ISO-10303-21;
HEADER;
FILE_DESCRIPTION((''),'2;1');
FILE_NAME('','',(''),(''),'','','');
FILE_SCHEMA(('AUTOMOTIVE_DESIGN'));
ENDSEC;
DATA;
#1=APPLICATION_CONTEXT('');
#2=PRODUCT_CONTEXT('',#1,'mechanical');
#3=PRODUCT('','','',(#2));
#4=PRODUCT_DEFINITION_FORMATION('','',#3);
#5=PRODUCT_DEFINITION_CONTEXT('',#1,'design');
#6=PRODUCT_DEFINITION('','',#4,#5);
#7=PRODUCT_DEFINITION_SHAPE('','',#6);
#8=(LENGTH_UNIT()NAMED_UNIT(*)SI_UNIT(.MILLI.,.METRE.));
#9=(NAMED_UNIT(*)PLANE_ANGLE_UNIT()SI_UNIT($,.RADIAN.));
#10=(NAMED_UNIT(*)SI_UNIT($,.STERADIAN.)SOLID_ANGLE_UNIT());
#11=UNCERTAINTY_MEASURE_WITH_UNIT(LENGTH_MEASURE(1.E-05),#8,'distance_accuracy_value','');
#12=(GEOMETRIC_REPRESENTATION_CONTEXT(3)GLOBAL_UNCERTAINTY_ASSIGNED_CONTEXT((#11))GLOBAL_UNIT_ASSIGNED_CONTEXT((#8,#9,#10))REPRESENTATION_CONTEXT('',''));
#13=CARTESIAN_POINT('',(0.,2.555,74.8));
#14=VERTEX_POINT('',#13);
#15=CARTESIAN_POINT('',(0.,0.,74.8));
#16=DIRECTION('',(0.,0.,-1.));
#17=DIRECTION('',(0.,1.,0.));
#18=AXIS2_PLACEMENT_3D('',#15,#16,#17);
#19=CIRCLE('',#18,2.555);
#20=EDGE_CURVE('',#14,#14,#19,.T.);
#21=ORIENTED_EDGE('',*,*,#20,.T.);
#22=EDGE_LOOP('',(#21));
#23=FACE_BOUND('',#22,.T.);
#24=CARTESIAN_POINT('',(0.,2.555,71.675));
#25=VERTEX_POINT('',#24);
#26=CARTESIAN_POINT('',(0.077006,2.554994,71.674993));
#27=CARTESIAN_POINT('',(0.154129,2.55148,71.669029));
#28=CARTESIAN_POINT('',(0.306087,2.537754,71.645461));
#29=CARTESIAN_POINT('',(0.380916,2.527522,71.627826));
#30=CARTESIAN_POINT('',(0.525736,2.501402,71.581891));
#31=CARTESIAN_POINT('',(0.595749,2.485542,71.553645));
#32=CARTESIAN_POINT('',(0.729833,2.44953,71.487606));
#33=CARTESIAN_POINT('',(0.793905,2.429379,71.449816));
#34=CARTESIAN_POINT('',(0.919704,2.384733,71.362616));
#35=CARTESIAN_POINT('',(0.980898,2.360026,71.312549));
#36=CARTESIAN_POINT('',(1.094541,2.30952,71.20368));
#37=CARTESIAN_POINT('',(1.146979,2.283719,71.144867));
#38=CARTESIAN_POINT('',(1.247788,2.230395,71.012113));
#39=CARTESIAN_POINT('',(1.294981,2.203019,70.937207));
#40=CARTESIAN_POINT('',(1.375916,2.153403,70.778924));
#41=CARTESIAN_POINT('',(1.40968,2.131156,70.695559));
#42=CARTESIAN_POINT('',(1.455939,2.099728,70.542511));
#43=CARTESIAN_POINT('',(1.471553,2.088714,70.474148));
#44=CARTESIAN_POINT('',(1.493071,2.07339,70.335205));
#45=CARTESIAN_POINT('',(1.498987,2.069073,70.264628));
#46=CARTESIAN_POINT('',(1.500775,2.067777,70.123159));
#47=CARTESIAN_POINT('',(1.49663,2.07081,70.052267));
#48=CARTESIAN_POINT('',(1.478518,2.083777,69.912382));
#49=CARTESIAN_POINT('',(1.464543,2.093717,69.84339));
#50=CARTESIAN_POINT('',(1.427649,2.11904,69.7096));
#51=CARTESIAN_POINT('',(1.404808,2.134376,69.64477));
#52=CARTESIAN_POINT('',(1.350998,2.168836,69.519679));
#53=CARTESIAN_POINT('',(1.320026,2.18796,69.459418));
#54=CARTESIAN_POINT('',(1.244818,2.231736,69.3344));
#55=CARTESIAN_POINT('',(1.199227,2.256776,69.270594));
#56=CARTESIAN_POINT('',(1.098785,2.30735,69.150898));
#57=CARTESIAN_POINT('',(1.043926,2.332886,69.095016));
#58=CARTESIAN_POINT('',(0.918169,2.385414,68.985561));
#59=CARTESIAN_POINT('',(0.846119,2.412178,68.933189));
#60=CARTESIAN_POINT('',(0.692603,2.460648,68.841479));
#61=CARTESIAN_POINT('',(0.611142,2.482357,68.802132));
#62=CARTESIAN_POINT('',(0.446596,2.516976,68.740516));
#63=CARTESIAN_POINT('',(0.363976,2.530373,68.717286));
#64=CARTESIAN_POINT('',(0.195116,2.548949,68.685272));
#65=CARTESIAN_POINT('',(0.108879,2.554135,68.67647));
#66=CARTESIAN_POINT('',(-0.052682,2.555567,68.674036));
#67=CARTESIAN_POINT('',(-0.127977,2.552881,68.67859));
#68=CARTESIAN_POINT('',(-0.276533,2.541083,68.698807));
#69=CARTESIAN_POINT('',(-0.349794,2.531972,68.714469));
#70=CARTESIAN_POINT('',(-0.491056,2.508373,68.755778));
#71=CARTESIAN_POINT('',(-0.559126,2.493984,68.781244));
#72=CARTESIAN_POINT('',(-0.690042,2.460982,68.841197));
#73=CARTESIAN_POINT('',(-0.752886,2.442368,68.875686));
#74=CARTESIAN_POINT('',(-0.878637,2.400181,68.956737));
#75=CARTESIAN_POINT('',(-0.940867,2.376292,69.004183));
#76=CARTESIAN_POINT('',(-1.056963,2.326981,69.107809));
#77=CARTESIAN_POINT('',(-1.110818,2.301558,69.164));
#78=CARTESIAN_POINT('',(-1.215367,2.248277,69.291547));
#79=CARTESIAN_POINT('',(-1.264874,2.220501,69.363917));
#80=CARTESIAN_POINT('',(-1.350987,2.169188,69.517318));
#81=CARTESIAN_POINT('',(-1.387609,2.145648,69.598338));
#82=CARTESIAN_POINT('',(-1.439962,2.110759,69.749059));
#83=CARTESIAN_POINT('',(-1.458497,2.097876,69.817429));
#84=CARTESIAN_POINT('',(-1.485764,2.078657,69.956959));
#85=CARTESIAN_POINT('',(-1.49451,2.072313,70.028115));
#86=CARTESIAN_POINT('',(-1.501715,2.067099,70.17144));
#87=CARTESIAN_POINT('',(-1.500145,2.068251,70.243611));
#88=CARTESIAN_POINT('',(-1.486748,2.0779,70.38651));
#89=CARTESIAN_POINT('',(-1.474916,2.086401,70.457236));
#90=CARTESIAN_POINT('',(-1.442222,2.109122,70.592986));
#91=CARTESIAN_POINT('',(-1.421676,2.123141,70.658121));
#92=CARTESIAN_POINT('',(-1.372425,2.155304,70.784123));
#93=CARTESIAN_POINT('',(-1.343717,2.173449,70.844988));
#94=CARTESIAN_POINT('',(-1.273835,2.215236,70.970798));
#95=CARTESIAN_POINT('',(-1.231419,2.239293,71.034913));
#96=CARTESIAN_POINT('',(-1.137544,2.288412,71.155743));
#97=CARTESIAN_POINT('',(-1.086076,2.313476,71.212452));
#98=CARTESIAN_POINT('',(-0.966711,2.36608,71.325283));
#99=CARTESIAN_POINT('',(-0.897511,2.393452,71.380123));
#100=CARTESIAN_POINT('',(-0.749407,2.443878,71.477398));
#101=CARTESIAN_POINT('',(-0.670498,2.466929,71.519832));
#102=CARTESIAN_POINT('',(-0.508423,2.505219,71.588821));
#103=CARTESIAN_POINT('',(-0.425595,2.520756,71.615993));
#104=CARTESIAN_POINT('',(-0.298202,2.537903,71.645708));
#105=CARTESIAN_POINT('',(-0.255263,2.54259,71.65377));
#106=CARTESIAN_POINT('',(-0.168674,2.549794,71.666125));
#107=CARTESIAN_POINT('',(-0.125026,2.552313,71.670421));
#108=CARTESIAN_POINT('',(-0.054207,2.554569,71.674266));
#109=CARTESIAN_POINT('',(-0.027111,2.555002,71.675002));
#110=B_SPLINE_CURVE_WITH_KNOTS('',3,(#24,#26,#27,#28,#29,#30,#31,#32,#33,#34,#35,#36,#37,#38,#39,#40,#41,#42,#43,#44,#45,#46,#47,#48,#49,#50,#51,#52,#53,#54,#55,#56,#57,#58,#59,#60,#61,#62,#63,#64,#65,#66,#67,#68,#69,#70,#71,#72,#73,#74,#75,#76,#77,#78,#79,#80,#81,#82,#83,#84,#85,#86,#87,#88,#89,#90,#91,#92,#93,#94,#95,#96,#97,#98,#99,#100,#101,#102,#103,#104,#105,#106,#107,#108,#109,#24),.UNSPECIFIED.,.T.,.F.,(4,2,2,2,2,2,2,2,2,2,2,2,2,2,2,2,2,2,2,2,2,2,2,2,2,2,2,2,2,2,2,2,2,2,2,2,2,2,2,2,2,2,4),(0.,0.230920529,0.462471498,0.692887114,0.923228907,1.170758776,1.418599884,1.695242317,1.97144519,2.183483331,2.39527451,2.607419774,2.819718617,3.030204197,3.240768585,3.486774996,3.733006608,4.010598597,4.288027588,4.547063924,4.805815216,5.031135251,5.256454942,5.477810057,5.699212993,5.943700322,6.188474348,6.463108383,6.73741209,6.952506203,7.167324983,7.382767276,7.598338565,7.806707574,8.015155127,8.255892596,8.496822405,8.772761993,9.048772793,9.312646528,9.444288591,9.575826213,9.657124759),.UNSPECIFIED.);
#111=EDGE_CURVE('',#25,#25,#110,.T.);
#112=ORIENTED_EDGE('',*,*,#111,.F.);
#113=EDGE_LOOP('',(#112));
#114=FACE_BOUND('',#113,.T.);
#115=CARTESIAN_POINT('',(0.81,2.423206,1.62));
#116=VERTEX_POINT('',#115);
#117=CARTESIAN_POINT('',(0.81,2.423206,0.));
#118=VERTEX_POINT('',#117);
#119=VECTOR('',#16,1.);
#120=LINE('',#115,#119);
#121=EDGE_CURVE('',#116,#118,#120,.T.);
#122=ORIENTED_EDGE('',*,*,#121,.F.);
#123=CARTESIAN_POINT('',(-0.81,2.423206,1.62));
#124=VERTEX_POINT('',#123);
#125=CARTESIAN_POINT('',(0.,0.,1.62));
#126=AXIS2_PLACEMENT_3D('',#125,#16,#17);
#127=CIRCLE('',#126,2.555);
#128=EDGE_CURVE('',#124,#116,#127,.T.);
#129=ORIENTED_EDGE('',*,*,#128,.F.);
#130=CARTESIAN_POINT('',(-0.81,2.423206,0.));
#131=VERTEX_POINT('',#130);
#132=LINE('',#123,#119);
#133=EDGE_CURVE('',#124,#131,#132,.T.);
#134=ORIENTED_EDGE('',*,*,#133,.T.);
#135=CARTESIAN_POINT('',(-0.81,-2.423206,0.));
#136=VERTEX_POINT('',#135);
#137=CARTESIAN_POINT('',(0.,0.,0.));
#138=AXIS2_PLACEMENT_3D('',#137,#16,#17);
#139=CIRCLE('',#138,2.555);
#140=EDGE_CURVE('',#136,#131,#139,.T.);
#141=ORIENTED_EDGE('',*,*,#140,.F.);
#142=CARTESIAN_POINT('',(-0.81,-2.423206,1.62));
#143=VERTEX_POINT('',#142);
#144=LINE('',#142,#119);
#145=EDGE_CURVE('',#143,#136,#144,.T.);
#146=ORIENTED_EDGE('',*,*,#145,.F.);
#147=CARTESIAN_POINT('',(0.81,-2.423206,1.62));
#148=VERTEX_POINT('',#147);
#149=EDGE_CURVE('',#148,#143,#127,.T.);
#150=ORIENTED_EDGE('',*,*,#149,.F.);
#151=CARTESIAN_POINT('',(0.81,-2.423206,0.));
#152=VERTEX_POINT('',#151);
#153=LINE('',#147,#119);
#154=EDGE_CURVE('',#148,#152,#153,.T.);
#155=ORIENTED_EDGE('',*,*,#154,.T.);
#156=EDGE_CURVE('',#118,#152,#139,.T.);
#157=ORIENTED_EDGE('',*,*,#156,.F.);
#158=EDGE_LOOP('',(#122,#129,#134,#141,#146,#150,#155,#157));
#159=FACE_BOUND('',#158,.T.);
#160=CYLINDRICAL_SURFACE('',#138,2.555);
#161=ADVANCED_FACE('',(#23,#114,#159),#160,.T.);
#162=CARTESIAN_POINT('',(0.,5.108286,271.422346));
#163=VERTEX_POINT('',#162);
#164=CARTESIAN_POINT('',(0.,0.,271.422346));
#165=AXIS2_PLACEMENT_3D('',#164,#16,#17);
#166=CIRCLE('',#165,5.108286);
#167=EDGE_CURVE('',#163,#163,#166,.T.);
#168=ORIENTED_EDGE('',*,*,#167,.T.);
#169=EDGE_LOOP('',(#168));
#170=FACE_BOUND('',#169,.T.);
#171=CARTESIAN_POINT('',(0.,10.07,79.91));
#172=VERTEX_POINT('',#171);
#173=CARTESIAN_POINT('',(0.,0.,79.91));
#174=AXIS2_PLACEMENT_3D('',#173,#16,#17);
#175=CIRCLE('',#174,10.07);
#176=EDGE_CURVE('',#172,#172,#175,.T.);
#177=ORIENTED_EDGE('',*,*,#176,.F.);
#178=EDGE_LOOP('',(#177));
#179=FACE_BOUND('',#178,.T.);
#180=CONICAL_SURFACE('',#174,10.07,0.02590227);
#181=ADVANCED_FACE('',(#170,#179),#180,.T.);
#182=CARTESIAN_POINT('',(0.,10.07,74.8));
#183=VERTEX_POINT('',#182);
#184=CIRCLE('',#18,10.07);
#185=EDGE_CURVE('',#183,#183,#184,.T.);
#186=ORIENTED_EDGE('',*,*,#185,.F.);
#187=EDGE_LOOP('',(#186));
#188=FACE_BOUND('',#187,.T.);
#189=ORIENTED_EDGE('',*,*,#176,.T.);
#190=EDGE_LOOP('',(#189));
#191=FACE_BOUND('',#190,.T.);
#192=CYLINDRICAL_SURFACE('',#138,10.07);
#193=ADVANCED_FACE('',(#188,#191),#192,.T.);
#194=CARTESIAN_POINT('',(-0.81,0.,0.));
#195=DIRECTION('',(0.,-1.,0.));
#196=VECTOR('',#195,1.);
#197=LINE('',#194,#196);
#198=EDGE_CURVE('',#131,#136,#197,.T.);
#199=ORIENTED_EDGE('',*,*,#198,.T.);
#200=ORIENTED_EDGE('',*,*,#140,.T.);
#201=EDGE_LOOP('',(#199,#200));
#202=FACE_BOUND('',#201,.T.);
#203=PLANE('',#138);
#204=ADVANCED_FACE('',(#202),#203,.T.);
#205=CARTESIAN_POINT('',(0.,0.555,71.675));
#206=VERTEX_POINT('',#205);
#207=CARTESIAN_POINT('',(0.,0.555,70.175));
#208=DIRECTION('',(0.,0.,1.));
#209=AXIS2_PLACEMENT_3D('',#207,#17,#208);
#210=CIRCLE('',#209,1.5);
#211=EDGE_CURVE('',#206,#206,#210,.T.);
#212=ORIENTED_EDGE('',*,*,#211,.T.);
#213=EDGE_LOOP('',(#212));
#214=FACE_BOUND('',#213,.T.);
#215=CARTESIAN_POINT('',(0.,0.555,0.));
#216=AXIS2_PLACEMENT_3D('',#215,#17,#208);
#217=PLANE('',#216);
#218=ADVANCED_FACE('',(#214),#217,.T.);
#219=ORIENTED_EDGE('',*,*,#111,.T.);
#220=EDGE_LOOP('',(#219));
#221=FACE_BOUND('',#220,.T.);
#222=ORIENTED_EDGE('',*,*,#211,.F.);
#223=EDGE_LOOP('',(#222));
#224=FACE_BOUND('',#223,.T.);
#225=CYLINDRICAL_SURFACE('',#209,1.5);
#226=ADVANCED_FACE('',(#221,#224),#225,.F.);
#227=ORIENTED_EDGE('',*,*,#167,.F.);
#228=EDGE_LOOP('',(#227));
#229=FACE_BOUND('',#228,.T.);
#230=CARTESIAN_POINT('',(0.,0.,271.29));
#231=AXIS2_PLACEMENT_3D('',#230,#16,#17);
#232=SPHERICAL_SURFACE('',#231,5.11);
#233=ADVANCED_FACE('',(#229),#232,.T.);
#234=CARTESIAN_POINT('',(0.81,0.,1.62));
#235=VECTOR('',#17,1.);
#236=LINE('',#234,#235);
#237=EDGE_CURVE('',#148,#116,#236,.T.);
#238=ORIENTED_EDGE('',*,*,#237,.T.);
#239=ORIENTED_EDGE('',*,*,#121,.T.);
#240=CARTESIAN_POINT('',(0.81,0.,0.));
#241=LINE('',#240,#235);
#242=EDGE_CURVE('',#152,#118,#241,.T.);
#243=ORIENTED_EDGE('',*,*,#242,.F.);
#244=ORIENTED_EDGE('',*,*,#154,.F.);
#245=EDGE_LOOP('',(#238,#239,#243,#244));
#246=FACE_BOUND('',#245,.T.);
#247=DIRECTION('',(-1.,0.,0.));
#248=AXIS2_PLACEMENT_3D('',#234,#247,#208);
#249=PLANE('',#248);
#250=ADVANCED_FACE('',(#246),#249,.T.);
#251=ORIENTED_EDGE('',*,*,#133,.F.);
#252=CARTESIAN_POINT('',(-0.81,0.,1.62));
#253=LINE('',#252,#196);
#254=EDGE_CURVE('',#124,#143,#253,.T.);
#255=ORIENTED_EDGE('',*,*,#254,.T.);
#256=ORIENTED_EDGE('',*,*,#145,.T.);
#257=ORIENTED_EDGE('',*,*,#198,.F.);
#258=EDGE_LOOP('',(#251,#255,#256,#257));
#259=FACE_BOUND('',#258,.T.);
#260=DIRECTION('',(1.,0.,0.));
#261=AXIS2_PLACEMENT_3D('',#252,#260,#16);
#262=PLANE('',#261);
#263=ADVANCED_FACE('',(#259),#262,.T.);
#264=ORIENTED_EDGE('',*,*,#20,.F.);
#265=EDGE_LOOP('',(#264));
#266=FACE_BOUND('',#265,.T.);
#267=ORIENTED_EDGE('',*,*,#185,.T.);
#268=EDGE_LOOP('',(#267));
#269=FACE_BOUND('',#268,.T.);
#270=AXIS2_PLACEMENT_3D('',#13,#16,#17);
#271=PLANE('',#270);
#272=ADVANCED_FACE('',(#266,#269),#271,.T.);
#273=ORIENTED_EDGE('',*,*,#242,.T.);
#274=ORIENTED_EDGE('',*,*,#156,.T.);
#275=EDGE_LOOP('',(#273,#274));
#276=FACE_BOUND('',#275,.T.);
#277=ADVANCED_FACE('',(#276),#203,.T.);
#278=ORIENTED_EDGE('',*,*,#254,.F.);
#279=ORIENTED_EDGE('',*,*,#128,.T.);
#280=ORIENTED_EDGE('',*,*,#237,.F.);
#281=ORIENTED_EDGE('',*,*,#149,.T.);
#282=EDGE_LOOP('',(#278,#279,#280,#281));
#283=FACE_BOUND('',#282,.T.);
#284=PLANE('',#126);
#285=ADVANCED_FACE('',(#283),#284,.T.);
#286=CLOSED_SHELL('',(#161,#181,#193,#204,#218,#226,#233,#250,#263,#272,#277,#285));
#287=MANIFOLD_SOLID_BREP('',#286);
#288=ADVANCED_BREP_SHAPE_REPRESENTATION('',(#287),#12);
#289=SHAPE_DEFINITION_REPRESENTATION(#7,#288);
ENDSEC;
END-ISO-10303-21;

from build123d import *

# Parameters (mm, degrees)
CUT_EXTRUDE1_START = -1.62
CUT_EXTRUDE1_DEPTH = 1.62
SKETCH3_R          = 1.5
CUT_EXTRUDE2_DEPTH = 2


with BuildPart() as part:
    # Sketch1 → Revolve2 (revolve)
    with BuildSketch(Plane(origin=(0, 0, 0), x_dir=(0, 0, -1), z_dir=(1, 0, 0))):
        with BuildLine():
            Line((0, 0), (0, 2.555))
            Line((0, 2.555), (-74.8, 2.555))
            Line((-74.8, 2.555), (-74.8, 10.07))
            Line((-74.8, 10.07), (-79.91, 10.07))
            Line((-79.91, 10.07), (-271.422345798, 5.108285876))
            ThreePointArc((-271.422345798, 5.108285876), (-274.949807852, 3.566217392), (-276.4, 0))
            Line((-276.4, 0), (0, 0))
        make_face()
    revolve(axis=Axis((0, 0, 0), (0, 0, 1)))

    # Sketch2 → Cut-Extrude1 (cut)
    with BuildSketch(Plane(origin=(0, 0, 0), x_dir=(-1, 0, 0), z_dir=(0, 0, -1)).offset(CUT_EXTRUDE1_START)):
        with BuildLine():
            Line((0.81, -2.423205522), (0.81, 2.423205522))
            ThreePointArc((0.81, 2.423205522), (0, 2.555), (-0.81, 2.423205522))
            Line((-0.81, 2.423205522), (-0.81, -2.423205522))
            ThreePointArc((-0.81, -2.423205522), (0, -2.555), (0.81, -2.423205522))
        make_face()
    extrude(amount=CUT_EXTRUDE1_DEPTH, mode=Mode.SUBTRACT)

    # Sketch3 → Cut-Extrude2 (cut)
    with BuildSketch(Plane(origin=(0, 2.555, 0), x_dir=(1, 0, 0), z_dir=(0, 1, 0))):
        with Locations(Location((0, -70.175, 0), (0, 0, 270))):
            Circle(SKETCH3_R)
    extrude(amount=-CUT_EXTRUDE2_DEPTH, mode=Mode.SUBTRACT)


solid = part.part
